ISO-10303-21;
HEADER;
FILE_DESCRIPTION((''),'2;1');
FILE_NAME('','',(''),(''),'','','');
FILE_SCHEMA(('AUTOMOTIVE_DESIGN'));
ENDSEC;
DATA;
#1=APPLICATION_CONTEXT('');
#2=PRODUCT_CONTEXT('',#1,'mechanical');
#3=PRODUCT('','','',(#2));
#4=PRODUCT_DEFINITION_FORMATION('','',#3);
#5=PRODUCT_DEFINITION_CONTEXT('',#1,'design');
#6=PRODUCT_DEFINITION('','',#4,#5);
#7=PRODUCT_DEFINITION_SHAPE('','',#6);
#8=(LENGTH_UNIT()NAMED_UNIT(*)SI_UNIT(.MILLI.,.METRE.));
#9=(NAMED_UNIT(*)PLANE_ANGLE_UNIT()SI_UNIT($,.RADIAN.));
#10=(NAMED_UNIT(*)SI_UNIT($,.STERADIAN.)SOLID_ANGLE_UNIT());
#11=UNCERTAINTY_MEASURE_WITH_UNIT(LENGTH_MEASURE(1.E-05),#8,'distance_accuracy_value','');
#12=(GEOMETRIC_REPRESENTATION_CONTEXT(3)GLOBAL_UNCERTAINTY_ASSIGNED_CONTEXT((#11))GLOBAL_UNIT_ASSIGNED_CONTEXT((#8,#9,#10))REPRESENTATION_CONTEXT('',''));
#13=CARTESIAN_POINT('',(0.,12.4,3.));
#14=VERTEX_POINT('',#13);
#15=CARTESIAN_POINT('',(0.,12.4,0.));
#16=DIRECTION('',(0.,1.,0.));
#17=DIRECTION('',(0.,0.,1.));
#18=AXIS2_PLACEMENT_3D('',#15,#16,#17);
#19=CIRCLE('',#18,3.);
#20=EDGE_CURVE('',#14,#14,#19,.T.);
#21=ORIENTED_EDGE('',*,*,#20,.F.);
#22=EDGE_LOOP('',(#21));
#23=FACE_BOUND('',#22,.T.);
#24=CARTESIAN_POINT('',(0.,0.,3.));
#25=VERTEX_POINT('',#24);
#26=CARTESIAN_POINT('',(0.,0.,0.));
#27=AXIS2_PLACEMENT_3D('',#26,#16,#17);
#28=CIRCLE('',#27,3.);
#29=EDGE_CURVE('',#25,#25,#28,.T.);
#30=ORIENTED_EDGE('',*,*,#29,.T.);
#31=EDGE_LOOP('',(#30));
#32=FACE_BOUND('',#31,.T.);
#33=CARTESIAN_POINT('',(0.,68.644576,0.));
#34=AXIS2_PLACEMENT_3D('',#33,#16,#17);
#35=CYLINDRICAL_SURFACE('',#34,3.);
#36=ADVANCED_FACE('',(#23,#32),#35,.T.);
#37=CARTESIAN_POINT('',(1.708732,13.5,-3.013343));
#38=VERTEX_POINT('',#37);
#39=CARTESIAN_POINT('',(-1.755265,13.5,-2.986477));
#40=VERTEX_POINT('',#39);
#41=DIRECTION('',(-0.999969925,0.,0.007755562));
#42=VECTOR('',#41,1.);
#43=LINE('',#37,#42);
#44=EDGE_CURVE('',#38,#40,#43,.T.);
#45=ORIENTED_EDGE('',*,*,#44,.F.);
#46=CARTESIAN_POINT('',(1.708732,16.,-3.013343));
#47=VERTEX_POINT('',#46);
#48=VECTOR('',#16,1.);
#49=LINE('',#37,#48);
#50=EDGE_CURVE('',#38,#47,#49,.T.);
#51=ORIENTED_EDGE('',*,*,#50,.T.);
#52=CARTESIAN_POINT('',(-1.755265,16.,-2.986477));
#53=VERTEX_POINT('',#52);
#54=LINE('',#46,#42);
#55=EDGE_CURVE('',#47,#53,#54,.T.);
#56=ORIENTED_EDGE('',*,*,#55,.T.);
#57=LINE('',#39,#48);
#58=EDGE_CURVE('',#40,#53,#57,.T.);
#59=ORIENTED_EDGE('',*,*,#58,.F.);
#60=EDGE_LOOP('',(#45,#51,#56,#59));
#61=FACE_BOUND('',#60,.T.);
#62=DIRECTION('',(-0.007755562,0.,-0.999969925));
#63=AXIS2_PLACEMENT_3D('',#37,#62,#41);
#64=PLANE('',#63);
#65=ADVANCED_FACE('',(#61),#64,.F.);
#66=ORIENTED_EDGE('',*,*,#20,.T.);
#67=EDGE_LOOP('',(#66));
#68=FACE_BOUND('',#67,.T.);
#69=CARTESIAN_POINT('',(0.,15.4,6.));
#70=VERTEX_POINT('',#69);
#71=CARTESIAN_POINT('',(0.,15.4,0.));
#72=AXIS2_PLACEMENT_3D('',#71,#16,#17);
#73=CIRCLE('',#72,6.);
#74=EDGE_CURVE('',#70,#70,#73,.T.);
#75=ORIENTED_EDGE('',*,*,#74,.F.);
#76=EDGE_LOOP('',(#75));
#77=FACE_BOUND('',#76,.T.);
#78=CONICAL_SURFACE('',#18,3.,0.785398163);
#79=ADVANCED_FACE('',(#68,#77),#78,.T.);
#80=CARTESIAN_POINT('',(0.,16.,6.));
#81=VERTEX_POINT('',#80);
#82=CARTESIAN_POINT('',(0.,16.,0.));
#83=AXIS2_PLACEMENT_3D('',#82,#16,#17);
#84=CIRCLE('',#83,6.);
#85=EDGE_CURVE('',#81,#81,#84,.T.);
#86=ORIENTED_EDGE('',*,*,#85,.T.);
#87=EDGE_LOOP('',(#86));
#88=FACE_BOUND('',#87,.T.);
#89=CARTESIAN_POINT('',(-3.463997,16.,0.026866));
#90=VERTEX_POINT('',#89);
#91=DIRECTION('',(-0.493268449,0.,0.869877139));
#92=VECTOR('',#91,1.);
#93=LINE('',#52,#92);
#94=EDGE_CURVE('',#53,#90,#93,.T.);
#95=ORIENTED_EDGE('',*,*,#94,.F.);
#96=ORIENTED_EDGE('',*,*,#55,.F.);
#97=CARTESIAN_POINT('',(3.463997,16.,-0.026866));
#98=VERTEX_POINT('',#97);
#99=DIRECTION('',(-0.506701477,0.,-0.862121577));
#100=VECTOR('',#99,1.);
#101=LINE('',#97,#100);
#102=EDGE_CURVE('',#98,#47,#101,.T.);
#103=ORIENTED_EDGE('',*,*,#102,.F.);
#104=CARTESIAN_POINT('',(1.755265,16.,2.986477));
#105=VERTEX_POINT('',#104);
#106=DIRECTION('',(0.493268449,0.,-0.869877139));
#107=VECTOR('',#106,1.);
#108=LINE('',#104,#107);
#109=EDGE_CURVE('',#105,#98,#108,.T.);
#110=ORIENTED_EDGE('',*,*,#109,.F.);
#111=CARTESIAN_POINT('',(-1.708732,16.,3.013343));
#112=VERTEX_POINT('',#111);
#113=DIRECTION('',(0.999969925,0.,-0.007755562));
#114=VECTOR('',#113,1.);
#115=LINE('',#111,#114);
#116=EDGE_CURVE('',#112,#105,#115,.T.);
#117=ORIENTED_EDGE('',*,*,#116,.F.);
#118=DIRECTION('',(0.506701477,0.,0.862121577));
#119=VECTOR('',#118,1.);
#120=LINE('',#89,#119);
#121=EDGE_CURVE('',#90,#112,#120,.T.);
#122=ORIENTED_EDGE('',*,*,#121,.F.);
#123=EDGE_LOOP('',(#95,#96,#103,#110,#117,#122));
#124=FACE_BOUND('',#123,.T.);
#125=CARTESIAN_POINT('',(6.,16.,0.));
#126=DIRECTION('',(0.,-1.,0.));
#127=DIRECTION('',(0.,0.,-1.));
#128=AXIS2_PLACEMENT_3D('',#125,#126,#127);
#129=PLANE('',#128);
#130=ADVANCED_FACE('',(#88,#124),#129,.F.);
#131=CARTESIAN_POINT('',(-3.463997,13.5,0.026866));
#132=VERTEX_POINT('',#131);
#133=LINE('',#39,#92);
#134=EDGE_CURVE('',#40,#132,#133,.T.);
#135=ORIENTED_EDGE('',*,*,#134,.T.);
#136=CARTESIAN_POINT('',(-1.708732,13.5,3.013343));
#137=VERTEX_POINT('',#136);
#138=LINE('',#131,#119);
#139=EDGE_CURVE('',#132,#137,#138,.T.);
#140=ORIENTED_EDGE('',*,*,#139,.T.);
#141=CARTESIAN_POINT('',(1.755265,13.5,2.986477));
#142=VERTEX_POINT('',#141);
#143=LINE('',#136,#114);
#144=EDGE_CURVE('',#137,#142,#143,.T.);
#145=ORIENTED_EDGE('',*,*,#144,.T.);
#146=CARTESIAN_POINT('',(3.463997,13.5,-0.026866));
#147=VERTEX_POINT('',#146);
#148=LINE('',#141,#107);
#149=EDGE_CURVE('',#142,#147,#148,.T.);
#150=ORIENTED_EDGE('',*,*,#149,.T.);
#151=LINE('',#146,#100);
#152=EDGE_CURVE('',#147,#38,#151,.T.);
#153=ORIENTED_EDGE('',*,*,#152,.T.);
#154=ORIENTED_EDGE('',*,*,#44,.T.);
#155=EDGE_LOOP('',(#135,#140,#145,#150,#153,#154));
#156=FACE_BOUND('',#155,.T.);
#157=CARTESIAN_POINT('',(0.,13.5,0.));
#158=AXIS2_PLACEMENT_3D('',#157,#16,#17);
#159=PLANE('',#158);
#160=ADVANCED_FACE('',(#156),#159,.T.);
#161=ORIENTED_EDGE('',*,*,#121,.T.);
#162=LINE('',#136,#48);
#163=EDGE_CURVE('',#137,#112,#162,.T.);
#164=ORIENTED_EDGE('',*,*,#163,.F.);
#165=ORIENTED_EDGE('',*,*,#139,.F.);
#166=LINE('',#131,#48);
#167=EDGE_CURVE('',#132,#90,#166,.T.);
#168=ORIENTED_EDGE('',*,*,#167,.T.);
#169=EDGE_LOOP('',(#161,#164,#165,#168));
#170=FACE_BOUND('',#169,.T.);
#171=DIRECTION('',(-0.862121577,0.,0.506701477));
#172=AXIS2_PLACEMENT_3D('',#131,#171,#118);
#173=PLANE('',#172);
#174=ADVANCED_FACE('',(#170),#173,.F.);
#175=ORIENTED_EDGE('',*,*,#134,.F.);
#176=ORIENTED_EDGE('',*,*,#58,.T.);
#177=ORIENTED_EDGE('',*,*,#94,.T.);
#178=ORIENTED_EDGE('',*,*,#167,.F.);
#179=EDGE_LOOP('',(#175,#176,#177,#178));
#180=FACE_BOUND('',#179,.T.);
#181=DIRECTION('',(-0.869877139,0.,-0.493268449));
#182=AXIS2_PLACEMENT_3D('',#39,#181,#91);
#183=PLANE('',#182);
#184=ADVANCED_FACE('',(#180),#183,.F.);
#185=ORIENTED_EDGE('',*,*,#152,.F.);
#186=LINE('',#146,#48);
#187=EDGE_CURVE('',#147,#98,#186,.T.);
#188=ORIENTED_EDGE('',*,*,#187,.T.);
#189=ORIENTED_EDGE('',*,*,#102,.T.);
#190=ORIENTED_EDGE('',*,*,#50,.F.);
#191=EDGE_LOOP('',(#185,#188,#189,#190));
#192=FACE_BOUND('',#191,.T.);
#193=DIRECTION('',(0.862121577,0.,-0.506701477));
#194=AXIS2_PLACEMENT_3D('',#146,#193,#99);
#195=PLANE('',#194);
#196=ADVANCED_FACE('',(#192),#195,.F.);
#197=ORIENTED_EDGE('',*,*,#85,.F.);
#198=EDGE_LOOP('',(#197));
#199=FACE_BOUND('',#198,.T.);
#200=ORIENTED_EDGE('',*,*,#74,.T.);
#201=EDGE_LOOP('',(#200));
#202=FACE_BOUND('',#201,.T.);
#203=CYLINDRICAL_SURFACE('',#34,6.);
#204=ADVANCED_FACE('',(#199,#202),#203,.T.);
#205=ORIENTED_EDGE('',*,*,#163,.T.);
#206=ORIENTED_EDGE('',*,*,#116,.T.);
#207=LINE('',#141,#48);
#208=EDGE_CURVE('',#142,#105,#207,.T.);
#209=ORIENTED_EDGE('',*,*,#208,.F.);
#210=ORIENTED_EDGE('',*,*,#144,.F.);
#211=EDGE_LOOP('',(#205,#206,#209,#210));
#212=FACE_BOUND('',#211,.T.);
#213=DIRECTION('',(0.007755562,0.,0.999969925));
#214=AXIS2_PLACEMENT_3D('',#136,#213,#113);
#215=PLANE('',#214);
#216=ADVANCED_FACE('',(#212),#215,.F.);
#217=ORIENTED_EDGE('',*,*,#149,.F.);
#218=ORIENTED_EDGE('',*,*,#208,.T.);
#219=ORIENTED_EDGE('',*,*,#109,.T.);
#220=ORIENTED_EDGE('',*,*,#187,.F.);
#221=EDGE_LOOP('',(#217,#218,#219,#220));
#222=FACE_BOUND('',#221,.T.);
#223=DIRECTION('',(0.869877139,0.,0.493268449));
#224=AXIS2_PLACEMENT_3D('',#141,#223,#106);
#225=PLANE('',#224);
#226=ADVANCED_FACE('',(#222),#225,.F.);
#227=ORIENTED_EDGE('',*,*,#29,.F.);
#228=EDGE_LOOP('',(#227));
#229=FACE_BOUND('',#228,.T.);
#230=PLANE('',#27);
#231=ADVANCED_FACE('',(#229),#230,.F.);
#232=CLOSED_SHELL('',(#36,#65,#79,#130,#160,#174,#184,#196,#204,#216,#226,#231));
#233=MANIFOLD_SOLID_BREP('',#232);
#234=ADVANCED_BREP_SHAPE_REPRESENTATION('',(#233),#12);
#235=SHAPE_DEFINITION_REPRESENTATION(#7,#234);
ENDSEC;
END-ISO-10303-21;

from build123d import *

# Parameters (mm, degrees)
CUT_EXTRUDE_1_DEPTH = 2.5


with BuildPart() as part:
    # Эскиз1 → Повернуть1 (revolve)
    with BuildSketch(Plane.XY):
        Polygon((0, 0), (3, 0), (3, 12.4), (6, 15.4), (6, 16), (0, 16), align=None)
    revolve(axis=Axis((0, 68.644575989, 0), (0, -1, 0)))

    # Эскиз2 → Вырез-Вытянуть1 (cut)
    with BuildSketch(Plane(origin=(0, 16, 0), x_dir=(1, 0, 0), z_dir=(0, 1, 0))):
        Polygon((1.755265403, -2.986476748), (3.463997433, 0.026866056), (1.708732029, 3.013342804), (-1.755265403, 2.986476748), (-3.463997433, -0.026866056), (-1.708732029, -3.013342804), align=None)
    extrude(amount=-CUT_EXTRUDE_1_DEPTH, mode=Mode.SUBTRACT)


solid = part.part
